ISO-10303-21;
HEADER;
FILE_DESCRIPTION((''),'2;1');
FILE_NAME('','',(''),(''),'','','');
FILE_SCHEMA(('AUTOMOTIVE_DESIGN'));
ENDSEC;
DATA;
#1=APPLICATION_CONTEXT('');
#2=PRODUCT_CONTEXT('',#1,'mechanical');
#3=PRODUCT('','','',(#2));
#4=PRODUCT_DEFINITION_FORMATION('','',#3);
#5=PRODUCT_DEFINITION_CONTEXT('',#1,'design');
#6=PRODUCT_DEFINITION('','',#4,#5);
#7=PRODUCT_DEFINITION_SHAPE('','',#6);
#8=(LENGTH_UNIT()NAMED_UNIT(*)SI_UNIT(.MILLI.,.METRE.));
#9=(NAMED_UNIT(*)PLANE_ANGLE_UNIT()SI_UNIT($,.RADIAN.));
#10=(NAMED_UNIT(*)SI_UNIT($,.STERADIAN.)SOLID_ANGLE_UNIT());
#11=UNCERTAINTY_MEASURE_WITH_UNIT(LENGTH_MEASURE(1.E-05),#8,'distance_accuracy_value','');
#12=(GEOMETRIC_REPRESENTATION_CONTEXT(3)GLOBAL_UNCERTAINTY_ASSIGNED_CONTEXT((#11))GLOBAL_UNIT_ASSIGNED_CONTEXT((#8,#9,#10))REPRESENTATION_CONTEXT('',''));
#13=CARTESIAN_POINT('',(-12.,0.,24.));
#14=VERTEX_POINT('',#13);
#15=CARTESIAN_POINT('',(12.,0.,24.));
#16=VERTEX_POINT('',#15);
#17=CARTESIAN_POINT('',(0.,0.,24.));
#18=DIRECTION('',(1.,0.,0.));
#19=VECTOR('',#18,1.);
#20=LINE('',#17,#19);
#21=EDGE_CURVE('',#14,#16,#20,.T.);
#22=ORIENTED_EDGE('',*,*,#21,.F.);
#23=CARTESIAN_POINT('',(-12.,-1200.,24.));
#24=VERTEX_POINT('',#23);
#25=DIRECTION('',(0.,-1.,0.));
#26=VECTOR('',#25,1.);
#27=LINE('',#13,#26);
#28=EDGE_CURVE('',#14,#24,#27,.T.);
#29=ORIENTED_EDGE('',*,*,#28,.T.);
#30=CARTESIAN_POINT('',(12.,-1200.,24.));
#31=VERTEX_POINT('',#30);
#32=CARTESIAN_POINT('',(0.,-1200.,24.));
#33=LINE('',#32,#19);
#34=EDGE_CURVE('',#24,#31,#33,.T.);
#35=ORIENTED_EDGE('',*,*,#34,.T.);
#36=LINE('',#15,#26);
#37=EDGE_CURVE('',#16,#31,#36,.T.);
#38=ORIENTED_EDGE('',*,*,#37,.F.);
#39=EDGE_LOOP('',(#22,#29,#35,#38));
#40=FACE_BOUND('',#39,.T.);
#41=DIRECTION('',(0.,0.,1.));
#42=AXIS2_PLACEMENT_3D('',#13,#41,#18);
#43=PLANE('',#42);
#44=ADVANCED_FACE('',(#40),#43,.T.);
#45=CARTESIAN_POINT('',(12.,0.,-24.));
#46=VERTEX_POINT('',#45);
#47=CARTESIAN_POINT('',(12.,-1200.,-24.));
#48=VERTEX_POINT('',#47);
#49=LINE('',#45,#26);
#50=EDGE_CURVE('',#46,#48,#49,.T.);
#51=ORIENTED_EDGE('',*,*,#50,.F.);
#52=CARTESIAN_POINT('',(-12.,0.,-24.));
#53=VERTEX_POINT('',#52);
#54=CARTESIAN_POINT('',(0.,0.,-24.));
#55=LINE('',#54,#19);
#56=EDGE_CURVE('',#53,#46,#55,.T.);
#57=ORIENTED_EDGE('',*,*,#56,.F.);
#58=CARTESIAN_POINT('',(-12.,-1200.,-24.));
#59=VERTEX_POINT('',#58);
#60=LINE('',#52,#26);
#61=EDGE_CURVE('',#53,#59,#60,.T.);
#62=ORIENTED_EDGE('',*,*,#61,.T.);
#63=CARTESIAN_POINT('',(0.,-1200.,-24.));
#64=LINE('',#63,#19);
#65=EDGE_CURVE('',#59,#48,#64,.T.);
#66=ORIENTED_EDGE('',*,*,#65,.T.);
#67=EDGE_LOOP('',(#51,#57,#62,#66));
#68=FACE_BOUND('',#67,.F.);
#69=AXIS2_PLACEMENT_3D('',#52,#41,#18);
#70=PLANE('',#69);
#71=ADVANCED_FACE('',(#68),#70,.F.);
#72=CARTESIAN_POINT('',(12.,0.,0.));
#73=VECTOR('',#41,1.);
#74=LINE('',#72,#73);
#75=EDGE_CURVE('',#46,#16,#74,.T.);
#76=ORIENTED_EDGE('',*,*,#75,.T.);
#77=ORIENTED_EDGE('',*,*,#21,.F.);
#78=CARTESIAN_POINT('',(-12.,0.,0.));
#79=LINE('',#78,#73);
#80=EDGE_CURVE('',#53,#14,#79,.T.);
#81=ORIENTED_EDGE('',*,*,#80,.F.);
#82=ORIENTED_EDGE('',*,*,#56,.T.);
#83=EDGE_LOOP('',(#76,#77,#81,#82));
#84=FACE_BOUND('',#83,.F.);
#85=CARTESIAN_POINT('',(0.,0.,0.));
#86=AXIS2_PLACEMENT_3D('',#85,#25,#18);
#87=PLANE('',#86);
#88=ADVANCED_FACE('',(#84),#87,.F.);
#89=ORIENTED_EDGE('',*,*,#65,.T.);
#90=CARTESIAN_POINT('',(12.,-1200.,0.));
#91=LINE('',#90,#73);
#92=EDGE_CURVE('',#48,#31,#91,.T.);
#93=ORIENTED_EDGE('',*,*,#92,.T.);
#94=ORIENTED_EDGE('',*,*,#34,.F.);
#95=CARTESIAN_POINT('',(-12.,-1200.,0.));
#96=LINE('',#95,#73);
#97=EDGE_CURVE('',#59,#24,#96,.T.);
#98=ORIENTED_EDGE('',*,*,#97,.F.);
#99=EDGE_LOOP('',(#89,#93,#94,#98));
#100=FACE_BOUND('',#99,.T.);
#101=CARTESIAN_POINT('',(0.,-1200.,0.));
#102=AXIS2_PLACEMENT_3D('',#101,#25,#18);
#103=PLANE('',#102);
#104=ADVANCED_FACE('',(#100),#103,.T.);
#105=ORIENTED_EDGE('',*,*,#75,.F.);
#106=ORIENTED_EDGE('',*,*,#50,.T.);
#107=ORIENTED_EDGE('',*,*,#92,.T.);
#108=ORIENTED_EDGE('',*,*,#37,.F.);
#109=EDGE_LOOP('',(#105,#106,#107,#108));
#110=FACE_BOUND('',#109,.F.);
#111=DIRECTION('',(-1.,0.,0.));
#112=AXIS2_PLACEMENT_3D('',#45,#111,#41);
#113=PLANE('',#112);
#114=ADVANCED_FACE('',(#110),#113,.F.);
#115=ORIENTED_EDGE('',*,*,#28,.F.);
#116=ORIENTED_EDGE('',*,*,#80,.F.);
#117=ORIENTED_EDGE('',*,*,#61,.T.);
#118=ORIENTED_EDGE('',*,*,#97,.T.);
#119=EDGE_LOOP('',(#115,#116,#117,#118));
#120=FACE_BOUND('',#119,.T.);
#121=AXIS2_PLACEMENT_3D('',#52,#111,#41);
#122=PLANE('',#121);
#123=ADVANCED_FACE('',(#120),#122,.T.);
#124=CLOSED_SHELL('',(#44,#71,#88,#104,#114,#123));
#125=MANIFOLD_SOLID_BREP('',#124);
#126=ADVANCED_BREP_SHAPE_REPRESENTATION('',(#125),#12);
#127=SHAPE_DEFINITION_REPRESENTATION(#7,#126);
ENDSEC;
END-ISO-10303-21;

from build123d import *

# Parameters (mm, degrees)
F1_W     = 24
F1_H     = 48
F2_DEPTH = 1200


with BuildPart() as f2:
    # F1 (on Front) → F2 (new body)
    with BuildSketch(Plane.XZ):
        Rectangle(F1_W, F1_H)
    extrude(amount=F2_DEPTH)


solid = f2.part
